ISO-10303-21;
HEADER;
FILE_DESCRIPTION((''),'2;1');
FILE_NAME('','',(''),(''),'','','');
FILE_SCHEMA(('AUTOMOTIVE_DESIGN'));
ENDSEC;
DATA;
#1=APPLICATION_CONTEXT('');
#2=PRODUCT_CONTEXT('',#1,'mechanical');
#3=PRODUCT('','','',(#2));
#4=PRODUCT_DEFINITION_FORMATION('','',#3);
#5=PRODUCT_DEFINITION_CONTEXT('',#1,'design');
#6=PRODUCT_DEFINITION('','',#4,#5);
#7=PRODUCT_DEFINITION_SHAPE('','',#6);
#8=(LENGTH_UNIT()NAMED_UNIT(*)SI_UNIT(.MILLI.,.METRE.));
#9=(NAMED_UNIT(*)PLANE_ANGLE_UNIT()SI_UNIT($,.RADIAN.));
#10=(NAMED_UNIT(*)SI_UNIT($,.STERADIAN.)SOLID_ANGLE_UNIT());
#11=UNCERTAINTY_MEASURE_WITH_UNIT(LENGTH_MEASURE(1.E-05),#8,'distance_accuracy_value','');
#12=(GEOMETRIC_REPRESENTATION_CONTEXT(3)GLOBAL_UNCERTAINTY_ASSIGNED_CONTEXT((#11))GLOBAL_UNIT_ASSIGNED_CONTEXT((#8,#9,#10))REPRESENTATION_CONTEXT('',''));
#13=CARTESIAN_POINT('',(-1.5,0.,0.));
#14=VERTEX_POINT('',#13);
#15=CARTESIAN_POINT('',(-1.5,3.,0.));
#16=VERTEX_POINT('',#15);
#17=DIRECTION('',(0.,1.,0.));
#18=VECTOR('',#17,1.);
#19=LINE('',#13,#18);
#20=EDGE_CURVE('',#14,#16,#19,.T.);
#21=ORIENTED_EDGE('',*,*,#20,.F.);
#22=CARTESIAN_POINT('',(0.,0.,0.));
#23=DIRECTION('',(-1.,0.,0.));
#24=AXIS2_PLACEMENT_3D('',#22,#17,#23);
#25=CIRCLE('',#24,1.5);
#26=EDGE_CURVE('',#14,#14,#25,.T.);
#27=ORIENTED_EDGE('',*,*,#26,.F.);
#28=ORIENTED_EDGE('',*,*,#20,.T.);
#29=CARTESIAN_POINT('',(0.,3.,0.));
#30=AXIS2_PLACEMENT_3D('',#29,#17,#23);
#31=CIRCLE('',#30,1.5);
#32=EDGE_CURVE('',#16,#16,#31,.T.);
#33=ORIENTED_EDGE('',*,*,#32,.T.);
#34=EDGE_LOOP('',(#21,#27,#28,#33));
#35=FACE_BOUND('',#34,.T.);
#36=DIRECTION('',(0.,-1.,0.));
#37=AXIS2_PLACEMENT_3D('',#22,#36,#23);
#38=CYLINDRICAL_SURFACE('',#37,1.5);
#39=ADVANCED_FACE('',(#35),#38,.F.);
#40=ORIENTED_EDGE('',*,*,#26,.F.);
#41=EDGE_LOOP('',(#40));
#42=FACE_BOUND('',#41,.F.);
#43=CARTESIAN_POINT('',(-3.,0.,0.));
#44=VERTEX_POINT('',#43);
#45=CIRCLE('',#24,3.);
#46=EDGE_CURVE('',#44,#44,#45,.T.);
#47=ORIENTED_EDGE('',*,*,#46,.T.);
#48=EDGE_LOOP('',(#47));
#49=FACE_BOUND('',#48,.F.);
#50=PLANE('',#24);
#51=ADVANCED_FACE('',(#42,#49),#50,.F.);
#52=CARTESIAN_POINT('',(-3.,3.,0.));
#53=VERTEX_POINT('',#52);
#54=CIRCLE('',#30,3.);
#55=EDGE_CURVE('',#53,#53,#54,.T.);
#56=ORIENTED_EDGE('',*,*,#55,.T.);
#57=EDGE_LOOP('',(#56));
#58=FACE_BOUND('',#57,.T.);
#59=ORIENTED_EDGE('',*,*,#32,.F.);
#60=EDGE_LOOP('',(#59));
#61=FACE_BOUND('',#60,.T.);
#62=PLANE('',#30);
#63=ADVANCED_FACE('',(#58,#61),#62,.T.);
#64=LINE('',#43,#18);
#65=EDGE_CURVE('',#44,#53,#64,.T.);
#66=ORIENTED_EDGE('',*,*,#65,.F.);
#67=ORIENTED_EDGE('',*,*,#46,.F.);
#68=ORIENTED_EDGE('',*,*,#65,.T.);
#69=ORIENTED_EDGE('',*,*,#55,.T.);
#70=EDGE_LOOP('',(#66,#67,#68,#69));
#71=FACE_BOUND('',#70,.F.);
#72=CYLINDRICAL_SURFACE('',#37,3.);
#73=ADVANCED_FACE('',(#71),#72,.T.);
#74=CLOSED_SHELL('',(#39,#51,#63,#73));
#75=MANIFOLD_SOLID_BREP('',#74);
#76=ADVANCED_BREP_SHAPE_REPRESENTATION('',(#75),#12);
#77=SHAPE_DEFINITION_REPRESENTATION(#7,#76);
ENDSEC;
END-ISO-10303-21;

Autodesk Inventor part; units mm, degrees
ref_plane "YZ Plane" through (0, 0, 0) normal (1, 0, 0) x (0, 1, 0)
ref_plane "XZ Plane" through (0, 0, 0) normal (0, 1, 0) x (-1, 0, 0)
ref_plane "XY Plane" through (0, 0, 0) normal (0, 0, 1) x (1, 0, 0)
sketch "Sketch1" plane through (0, 0, 0) normal (0, 1, 0) x (-1, 0, 0)
  circle A0 centre (0, 0) radius 1.5
  circle A1 centre (0, 0) radius 3
  dimension "d0" = 3
  dimension "d1" = 6
extrude "Extrusion1" add sketch "Sketch1" along normal blind 3
properties part number "Arduino Spacer"
